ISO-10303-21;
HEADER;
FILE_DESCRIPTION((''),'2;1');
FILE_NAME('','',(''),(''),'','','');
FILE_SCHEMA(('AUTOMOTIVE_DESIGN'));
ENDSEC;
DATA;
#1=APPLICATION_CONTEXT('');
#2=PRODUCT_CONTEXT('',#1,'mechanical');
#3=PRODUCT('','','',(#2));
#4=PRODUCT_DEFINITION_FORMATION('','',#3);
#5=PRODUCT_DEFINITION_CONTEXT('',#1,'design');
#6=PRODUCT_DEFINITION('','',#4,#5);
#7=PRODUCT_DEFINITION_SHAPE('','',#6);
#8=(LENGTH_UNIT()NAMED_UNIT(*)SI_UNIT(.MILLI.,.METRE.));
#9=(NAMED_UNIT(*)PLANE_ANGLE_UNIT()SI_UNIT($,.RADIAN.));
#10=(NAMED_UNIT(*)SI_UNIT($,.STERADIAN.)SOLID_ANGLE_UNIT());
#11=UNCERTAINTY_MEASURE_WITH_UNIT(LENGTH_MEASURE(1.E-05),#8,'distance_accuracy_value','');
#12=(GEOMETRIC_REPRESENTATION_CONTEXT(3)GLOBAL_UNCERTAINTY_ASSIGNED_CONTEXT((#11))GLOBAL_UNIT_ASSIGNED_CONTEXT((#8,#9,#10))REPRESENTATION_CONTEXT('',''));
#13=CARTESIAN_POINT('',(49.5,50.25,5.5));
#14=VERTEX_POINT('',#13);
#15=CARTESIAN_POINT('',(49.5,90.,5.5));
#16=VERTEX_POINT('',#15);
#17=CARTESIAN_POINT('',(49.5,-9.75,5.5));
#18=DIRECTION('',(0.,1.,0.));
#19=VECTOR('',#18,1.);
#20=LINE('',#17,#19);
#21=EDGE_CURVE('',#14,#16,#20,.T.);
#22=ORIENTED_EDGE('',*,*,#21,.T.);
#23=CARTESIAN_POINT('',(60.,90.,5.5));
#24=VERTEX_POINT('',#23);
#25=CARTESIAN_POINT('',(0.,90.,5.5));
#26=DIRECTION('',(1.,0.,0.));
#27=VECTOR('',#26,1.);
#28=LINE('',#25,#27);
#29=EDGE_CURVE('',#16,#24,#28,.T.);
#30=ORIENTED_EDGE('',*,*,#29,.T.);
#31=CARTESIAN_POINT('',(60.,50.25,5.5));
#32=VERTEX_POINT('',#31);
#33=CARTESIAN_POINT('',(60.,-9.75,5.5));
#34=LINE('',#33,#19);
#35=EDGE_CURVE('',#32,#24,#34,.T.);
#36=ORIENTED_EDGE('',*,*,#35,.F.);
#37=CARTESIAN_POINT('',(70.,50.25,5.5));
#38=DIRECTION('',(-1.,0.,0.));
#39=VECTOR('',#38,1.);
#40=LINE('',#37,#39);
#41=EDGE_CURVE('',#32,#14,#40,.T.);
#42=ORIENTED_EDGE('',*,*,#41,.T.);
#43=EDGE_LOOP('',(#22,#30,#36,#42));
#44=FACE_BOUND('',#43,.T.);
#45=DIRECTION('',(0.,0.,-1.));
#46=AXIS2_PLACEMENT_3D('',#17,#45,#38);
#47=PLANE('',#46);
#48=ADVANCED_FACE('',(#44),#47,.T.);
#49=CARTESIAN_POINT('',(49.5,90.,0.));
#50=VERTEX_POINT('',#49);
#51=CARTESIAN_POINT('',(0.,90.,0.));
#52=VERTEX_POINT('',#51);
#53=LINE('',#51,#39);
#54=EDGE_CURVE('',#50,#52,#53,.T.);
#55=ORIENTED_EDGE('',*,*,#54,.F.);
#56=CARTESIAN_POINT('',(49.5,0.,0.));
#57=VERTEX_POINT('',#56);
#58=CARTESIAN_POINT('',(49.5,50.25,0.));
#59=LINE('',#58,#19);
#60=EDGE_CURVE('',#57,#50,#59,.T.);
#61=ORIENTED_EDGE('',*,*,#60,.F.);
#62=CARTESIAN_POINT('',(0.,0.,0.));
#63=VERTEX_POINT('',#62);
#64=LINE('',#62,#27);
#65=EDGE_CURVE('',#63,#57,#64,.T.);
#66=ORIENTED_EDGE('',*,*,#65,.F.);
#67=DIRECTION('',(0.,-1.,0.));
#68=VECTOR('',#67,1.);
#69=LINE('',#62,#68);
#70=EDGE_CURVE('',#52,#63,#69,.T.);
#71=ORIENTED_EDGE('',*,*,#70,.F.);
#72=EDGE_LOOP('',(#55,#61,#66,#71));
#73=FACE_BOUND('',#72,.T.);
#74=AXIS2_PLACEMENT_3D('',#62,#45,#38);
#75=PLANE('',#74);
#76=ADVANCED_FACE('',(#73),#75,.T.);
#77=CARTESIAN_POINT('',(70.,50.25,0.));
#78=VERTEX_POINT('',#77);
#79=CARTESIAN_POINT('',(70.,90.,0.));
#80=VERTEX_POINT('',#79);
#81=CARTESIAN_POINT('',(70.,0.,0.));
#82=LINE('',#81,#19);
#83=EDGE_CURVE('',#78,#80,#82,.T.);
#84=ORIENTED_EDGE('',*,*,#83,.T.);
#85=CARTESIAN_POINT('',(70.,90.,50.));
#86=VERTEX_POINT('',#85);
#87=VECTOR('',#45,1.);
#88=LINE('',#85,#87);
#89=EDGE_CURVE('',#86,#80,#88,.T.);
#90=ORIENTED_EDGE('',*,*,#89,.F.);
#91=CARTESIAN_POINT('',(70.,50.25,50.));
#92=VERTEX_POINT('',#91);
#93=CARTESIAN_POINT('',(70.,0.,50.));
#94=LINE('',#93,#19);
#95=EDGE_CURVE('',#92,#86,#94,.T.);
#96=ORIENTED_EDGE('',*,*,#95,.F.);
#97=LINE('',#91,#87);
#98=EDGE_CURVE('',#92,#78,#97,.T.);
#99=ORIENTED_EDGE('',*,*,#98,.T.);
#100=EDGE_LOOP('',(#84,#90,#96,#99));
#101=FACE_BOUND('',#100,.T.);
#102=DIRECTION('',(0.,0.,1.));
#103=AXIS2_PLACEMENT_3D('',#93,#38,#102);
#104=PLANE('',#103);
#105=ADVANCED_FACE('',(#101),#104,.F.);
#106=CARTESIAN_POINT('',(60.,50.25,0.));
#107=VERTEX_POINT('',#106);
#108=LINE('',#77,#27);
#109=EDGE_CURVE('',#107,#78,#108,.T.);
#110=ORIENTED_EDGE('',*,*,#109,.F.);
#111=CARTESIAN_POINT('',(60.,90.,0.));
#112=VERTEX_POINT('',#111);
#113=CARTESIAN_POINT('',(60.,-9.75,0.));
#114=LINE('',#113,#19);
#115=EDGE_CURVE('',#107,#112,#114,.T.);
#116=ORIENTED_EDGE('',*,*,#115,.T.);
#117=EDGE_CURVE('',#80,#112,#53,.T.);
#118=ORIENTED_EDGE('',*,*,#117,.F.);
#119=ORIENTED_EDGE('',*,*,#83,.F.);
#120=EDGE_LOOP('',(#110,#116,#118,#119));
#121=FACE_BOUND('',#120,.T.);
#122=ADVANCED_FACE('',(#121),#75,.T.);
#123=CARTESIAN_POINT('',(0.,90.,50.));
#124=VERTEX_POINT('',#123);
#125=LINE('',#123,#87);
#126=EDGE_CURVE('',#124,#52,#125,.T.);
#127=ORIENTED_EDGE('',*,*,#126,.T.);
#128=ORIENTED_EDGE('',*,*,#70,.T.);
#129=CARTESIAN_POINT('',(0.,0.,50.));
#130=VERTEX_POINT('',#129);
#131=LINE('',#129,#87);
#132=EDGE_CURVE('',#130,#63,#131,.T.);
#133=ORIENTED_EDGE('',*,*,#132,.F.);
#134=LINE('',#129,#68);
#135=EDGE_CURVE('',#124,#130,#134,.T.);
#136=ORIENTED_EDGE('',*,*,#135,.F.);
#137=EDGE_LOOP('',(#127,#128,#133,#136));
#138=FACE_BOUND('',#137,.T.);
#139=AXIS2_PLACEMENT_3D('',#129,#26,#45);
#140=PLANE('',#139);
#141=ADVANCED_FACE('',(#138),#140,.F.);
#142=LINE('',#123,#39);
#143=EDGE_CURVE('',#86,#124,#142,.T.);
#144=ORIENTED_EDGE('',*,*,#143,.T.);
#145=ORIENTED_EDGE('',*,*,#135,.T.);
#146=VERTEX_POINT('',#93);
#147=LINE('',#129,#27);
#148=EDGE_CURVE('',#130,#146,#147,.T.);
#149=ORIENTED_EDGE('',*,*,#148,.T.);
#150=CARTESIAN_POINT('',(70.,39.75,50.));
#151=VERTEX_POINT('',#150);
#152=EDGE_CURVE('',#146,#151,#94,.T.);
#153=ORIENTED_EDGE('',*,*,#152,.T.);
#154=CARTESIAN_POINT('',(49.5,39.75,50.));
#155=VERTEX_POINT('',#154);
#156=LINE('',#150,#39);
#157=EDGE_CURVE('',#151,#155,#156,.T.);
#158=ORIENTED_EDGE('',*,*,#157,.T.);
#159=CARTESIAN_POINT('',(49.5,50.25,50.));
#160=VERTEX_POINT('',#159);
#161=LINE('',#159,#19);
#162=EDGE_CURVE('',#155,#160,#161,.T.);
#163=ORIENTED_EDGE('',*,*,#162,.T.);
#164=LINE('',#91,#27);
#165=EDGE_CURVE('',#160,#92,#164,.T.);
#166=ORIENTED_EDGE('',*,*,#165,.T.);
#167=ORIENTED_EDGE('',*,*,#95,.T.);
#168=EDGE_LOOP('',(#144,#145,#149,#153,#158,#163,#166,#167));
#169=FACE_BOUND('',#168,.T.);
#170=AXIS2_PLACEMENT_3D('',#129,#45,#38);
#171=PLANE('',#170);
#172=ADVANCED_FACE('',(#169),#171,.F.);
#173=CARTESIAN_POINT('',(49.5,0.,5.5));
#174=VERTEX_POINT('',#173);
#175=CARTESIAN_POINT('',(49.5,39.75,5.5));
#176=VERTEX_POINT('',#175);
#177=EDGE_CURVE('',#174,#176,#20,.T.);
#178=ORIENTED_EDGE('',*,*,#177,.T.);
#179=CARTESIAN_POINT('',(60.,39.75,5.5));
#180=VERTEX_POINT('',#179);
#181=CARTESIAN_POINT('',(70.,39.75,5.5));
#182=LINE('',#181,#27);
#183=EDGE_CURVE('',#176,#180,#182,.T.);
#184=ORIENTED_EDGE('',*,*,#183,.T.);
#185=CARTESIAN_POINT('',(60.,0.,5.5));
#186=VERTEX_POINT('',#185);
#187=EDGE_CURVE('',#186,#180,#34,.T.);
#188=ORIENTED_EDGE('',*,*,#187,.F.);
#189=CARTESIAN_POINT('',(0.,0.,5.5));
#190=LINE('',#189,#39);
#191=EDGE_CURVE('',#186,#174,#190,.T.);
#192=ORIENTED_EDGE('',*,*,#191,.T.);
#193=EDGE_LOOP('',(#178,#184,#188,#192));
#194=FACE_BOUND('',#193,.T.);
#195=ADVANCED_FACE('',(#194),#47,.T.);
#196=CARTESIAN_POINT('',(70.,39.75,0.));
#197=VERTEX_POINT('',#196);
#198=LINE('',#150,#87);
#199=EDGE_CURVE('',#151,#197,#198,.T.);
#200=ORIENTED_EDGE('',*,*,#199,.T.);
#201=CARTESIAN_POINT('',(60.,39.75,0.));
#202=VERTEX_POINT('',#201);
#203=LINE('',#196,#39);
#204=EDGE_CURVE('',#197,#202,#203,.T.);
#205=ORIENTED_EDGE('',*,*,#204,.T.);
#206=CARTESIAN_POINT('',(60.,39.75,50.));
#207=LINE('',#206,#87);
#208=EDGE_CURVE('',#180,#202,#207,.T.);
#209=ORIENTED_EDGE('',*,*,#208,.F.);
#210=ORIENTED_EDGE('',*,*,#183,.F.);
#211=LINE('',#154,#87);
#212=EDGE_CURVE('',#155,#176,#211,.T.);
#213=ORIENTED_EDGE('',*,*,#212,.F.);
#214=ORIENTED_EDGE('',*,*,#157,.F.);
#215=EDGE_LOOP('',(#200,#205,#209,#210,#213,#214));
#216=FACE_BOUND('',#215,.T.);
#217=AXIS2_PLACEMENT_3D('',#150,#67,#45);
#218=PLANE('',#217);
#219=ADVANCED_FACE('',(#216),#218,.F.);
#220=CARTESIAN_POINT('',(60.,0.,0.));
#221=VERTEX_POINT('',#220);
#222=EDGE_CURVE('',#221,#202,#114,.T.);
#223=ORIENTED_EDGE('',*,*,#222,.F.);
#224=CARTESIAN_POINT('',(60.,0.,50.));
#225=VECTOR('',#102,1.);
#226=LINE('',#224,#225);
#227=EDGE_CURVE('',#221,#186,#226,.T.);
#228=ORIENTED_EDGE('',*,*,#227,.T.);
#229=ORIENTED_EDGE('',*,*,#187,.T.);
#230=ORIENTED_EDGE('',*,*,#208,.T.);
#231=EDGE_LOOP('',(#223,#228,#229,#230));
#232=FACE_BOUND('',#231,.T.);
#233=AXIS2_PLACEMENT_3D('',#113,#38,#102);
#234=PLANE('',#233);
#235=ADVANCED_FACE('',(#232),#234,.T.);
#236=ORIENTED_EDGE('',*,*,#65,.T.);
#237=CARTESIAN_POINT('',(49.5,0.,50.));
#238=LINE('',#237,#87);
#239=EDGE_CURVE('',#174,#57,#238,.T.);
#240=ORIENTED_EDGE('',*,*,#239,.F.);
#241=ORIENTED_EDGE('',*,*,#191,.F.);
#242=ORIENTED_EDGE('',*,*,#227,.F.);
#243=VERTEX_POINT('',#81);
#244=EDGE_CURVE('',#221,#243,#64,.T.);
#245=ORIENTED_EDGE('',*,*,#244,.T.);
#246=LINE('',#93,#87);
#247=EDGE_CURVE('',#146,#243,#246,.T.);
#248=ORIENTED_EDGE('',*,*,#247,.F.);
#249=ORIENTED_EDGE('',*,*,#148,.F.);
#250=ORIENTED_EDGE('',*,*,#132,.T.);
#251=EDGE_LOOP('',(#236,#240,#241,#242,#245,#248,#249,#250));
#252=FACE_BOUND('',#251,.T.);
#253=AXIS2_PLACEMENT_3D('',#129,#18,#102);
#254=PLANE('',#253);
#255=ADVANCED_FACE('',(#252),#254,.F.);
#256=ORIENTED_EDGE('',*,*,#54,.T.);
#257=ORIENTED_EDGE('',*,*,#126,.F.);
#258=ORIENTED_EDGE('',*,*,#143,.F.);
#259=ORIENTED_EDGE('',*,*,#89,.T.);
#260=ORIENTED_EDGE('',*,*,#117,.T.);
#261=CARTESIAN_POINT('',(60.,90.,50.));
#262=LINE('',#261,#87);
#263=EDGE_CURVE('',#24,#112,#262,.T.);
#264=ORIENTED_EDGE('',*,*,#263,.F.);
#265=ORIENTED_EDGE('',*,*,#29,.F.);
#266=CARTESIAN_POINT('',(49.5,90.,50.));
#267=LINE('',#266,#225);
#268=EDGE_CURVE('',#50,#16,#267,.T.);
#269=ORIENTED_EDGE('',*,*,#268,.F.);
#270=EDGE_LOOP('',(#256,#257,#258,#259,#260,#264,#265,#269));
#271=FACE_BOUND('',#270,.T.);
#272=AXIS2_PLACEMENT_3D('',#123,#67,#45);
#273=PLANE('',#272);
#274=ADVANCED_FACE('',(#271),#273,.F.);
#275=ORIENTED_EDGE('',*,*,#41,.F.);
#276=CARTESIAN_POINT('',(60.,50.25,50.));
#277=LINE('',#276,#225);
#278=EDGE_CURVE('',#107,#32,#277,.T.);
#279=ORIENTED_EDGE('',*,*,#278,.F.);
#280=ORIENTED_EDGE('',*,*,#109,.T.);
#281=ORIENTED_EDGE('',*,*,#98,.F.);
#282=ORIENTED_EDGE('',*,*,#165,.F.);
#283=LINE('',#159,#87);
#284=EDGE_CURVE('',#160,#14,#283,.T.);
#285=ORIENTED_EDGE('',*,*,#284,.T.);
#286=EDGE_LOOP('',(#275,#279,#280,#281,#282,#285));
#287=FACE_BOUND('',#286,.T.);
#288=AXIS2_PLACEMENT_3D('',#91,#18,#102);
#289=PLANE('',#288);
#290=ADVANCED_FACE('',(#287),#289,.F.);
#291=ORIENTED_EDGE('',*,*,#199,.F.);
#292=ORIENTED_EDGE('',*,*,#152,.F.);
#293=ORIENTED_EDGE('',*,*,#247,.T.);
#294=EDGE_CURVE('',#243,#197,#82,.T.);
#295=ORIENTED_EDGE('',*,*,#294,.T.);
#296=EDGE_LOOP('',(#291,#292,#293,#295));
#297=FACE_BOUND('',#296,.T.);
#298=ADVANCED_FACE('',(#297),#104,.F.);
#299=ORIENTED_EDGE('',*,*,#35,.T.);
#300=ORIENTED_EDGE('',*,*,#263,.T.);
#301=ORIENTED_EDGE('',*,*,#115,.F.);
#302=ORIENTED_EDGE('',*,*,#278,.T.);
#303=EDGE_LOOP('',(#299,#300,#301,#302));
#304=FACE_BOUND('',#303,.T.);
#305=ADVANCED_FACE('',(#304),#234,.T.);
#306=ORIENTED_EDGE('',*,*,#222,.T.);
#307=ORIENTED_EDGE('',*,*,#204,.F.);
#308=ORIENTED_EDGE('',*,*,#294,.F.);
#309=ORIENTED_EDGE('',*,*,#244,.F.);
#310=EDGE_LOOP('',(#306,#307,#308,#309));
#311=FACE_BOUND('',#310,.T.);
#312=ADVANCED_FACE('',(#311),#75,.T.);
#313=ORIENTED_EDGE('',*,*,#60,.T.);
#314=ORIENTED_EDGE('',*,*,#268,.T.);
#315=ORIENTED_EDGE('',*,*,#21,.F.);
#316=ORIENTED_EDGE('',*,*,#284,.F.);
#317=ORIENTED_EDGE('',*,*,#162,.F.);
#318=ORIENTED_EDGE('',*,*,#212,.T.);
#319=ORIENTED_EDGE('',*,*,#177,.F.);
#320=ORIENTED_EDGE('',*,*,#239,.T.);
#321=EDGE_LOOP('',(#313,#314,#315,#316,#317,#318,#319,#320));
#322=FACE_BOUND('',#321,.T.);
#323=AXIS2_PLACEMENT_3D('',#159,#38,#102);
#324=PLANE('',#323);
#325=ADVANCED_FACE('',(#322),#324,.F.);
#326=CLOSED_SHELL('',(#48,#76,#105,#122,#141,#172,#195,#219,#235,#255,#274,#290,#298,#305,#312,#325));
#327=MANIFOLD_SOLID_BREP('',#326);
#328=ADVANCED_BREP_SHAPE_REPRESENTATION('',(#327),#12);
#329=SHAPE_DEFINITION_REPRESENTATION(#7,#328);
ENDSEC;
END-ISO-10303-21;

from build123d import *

# Parameters (mm, degrees)
SKICA1_W                      = 70
SKICA1_H                      = 90
P_IDAT_VYSUNUT_M1_DEPTH       = 50
SKICA7_W                      = 20.5
SKICA7_H                      = 10.5
ODEBRAT_VYSUNUT_M3_DEPTH      = 50
ODEBRAT_VYSUNUT_M4_DEPTH      = 60
ODEBRAT_VYSUNUT_M4_DEPTH_BACK = 50
SKICA9_W                      = 10.5
SKICA9_H                      = 5.5


with BuildPart() as part:
    # Skica1 → Přidat vysunutím1 (new body)
    with BuildSketch(Plane.XY):
        with Locations((35, 45)):
            Rectangle(SKICA1_W, SKICA1_H)
    extrude(amount=P_IDAT_VYSUNUT_M1_DEPTH)

    # Skica7 → Odebrat vysunutím3 (cut)
    with BuildSketch(Plane(origin=(0, 0, 0), x_dir=(-1, 0, 0), z_dir=(0, 0, -1))):
        with Locations((-59.75, 45)):
            Rectangle(SKICA7_W, SKICA7_H)
    extrude(amount=-ODEBRAT_VYSUNUT_M3_DEPTH, mode=Mode.SUBTRACT)

    # Skica9 → Odebrat vysunutím4 (cut, two sides: drawn at the far end of the back side and taken through both)
    with BuildSketch(Plane.XZ.offset(-50.25).offset(-ODEBRAT_VYSUNUT_M4_DEPTH_BACK)):
        with Locations((54.75, 2.75)):
            Rectangle(SKICA9_W, SKICA9_H)
    extrude(amount=ODEBRAT_VYSUNUT_M4_DEPTH + ODEBRAT_VYSUNUT_M4_DEPTH_BACK, mode=Mode.SUBTRACT)


solid = part.part
